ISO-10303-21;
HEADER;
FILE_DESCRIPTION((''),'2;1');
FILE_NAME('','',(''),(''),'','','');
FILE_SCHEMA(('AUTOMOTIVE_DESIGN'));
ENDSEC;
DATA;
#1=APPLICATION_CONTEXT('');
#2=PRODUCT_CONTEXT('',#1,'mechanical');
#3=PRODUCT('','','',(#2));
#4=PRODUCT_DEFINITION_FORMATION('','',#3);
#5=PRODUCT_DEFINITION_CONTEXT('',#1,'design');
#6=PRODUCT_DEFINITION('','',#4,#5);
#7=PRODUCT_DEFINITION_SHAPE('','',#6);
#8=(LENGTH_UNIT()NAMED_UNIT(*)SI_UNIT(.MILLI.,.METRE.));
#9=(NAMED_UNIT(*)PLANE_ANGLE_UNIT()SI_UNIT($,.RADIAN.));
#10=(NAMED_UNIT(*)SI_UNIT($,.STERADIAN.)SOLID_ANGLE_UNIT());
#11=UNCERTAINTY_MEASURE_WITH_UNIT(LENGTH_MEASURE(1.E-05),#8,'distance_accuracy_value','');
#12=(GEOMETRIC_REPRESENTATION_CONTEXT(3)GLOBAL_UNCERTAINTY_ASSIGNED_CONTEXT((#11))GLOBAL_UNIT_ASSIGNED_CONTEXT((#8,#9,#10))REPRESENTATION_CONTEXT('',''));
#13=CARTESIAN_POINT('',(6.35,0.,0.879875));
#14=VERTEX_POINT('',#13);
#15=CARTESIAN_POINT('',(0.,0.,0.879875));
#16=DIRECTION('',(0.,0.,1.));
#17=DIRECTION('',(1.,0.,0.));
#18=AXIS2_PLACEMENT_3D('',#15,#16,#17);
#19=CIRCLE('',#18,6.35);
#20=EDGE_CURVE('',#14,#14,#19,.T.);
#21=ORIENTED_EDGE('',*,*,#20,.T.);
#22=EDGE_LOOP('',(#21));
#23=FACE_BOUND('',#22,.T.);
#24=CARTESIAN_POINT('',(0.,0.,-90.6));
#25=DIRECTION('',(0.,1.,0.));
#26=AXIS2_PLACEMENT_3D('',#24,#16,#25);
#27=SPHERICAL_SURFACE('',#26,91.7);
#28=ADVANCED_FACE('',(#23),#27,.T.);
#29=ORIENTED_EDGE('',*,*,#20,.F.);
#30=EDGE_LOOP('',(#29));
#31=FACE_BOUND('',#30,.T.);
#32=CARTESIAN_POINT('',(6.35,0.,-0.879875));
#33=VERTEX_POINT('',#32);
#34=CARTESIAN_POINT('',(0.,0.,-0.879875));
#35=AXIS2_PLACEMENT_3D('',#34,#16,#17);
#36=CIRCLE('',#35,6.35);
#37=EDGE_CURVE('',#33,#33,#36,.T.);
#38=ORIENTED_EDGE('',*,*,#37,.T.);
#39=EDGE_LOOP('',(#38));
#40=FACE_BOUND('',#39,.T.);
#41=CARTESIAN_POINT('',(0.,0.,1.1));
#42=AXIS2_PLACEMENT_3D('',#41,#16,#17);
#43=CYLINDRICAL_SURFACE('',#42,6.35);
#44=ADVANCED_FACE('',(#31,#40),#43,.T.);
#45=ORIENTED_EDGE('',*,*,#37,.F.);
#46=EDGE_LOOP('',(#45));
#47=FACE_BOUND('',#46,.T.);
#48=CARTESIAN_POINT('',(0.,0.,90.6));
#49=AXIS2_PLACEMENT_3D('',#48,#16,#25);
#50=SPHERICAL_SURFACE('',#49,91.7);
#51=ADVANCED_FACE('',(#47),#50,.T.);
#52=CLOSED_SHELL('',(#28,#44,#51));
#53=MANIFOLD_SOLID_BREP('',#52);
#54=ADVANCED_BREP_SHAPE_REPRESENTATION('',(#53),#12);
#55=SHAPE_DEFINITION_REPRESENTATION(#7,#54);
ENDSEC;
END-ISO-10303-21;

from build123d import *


with BuildPart() as part:
    # Sketch2 → Revolve1 (revolve)
    with BuildSketch(Plane(origin=(0, 0, 0), x_dir=(0, 0, -1), z_dir=(1, 0, 0))):
        with BuildLine():
            Line((-1.1, 0), (1.1, 0))
            ThreePointArc((1.1, 0), (1.044952186, 3.176907108), (0.879874836, 6.35))
            Line((0.879874836, 6.35), (-0.879874836, 6.35))
            ThreePointArc((-0.879874836, 6.35), (-1.044952186, 3.176907108), (-1.1, 0))
        make_face()
    revolve(axis=Axis((0, 0, 1.1), (0, 0, -1)))


solid = part.part
